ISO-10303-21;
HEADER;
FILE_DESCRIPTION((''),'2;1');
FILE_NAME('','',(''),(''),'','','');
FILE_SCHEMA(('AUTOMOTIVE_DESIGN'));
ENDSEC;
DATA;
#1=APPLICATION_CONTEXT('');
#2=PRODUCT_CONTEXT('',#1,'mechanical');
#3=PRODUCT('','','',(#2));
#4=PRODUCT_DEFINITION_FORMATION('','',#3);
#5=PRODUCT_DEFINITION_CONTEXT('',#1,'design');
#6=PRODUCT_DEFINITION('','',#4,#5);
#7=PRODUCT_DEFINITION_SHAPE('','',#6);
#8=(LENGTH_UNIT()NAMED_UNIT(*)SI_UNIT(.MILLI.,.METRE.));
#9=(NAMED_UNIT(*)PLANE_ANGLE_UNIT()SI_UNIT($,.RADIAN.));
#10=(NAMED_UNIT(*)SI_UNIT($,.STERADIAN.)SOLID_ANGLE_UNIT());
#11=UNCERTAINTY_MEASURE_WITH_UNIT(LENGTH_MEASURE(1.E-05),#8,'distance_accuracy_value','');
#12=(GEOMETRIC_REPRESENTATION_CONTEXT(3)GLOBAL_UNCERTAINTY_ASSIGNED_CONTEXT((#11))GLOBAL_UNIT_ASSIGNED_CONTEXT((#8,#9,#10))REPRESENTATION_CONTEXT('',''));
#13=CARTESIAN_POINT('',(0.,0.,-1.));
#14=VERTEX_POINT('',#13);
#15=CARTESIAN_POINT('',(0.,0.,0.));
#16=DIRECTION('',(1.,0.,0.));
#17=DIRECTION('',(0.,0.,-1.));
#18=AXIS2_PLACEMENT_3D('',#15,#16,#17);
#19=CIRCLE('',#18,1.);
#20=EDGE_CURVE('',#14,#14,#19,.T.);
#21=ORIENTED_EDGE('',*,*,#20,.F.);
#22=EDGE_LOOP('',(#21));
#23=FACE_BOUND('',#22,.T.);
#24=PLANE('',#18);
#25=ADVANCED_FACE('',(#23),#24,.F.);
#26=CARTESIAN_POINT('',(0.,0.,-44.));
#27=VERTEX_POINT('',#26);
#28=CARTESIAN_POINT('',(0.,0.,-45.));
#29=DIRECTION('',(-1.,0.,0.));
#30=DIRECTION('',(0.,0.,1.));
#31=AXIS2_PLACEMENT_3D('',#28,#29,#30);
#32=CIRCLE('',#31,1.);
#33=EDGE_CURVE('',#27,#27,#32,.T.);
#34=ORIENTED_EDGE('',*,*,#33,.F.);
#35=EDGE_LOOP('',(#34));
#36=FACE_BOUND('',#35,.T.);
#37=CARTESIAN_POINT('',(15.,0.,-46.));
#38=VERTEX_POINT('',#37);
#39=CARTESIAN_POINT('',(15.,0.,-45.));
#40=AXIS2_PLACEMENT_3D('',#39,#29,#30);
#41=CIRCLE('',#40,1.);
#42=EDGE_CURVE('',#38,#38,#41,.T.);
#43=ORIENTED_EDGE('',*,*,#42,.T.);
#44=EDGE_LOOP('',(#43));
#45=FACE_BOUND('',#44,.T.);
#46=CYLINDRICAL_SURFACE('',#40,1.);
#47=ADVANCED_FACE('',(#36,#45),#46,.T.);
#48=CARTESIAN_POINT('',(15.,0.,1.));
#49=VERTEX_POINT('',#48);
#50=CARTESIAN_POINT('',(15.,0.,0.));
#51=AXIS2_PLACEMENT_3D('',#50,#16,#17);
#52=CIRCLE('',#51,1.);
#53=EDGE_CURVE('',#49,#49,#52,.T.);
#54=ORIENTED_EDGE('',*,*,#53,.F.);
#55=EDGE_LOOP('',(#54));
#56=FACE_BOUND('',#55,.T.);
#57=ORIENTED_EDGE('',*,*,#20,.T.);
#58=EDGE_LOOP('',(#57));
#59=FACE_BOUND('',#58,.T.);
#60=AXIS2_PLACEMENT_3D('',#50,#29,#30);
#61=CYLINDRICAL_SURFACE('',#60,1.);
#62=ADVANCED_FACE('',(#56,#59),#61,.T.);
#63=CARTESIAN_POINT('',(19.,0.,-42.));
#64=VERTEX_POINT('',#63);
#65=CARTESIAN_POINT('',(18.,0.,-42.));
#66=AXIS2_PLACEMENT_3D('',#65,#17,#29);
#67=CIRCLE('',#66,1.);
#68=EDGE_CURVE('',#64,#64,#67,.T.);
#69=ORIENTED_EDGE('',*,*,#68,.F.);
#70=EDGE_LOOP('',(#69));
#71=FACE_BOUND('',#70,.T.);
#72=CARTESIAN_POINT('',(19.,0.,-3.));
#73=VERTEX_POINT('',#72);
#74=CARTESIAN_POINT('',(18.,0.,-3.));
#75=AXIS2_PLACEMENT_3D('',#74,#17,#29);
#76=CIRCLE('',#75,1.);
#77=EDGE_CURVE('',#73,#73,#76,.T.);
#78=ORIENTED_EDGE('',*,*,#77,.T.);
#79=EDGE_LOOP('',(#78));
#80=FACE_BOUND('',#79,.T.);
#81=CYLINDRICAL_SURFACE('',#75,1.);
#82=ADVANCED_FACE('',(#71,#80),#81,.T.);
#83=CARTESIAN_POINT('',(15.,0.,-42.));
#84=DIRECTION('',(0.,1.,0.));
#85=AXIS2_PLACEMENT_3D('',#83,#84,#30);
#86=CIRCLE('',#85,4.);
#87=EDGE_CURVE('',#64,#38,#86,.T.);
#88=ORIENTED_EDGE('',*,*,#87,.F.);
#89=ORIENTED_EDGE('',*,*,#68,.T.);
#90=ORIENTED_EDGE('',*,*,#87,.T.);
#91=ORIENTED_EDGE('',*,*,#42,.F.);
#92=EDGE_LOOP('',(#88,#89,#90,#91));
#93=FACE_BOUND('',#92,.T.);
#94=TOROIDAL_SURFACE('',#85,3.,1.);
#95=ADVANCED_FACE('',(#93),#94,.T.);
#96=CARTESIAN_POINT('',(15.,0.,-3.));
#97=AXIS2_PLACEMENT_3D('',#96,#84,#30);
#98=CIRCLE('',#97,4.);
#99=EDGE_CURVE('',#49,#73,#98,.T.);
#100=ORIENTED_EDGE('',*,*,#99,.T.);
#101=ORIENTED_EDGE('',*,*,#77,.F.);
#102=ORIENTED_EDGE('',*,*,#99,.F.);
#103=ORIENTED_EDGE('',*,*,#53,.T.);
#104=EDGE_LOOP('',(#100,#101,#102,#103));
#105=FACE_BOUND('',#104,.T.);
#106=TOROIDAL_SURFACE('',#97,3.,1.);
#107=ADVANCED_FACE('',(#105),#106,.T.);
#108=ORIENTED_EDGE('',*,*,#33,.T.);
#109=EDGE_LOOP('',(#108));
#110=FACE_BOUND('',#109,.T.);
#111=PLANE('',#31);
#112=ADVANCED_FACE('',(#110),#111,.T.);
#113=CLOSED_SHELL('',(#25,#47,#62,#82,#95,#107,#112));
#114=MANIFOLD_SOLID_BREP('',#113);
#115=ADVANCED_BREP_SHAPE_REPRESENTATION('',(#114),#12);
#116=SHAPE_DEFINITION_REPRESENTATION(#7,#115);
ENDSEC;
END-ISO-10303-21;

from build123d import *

# Parameters (mm, degrees)
SKETCH_1_R = 1


with BuildPart() as part:
    # По траектории1: sweep along a curve in space
    with BuildLine() as sweep_1_path:
        Line((0, 0, 0), (15, 0, 0))
        ThreePointArc((15, 0, 0), (17.121320344, 0, -0.878679656), (18, 0, -3))
        Line((18, 0, -3), (18, 0, -42))
        ThreePointArc((18, 0, -42), (17.121320344, 0, -44.121320344), (15, 0, -45))
        Line((15, 0, -45), (0, 0, -45))
    # Эскиз1 → По траектории1 (sweep)
    with BuildSketch(Plane(origin=(0, 0, 0), x_dir=(0, 0, -1), z_dir=(1, 0, 0))):
        Circle(SKETCH_1_R)
    sweep(path=sweep_1_path.line)


solid = part.part
